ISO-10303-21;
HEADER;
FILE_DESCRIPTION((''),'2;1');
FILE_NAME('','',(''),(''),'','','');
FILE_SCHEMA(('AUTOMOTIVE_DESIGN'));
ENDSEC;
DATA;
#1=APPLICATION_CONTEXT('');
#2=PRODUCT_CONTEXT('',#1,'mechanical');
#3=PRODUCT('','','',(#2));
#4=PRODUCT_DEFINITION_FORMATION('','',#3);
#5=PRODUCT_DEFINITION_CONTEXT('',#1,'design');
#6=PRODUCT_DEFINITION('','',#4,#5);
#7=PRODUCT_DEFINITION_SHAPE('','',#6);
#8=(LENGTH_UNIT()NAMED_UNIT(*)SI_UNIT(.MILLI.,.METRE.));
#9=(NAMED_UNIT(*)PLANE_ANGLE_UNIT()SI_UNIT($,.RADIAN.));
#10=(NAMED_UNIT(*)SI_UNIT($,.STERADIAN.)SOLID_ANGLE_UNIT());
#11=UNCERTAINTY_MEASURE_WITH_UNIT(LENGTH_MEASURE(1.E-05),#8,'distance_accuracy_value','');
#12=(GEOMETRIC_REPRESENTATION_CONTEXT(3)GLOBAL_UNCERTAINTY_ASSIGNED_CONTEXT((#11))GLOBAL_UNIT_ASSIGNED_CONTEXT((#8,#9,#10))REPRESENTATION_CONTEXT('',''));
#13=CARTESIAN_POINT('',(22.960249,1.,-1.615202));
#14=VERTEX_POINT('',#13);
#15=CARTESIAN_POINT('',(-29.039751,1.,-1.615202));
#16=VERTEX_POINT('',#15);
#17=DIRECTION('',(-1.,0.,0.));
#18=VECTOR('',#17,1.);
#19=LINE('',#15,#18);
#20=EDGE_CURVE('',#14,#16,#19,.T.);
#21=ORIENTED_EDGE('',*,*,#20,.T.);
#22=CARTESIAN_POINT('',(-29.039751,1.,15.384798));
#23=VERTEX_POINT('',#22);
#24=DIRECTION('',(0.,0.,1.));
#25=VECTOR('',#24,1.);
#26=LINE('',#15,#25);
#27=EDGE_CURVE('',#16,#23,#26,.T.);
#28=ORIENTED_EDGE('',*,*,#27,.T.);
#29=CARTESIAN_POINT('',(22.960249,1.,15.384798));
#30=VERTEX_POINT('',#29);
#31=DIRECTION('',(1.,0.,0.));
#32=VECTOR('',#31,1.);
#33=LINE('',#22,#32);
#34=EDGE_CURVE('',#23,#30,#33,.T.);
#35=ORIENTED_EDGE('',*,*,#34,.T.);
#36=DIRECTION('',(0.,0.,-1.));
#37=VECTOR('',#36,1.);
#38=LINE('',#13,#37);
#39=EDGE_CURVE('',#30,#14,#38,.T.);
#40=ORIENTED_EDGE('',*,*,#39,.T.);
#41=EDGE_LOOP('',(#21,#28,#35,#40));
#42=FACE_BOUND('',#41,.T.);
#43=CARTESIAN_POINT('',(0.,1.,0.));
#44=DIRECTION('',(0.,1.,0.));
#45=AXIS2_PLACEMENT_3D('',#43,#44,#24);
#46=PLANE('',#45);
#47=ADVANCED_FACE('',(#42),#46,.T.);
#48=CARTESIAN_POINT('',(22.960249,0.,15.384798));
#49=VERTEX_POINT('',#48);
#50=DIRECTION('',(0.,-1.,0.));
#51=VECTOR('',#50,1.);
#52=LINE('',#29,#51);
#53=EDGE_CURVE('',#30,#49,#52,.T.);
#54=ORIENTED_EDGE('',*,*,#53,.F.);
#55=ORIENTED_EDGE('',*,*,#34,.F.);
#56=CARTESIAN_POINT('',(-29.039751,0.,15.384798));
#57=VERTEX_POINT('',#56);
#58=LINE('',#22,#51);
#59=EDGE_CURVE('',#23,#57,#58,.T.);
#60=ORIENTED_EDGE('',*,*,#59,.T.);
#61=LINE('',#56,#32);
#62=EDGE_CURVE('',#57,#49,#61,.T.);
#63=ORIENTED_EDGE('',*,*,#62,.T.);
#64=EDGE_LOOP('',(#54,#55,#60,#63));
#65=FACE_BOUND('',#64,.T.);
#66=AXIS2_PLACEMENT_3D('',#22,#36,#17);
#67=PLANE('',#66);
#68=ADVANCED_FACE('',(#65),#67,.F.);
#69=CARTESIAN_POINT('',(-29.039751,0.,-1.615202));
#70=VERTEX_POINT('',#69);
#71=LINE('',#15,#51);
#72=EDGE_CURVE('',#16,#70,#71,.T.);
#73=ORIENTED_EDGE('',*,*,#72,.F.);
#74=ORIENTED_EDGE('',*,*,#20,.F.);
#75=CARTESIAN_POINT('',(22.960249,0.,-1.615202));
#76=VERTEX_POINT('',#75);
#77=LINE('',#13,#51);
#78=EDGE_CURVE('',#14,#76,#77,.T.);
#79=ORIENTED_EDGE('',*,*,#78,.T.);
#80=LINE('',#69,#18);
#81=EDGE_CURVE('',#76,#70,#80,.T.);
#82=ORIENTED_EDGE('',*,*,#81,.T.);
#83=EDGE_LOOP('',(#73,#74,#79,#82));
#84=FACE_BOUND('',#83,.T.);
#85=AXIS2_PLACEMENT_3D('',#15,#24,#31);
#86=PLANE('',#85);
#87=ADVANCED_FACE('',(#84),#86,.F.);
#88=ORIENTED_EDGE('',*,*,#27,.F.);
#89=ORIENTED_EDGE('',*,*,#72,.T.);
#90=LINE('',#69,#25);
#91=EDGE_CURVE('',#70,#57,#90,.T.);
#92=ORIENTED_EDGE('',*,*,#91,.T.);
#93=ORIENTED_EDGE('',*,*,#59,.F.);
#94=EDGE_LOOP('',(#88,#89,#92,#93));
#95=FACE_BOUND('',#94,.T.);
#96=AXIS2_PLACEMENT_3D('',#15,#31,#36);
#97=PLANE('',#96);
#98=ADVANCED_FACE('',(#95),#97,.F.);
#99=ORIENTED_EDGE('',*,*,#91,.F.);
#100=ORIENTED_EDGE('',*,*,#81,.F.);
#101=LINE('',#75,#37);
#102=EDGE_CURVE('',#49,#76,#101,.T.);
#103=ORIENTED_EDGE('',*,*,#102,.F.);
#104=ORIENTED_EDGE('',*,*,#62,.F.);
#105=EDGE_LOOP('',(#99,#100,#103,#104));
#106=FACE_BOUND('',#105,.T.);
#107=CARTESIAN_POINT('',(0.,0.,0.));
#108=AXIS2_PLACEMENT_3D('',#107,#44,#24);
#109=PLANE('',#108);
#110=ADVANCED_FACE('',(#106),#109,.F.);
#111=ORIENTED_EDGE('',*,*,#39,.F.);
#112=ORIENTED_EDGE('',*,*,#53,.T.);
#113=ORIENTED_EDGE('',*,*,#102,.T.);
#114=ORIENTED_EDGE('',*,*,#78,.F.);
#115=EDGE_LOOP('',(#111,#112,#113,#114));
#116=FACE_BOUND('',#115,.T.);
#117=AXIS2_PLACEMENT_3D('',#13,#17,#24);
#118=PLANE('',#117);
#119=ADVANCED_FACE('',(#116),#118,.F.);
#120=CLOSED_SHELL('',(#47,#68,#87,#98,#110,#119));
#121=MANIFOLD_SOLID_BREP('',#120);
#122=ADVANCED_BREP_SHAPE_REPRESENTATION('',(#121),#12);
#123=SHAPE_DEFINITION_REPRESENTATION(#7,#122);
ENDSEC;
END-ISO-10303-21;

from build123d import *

# Parameters (mm, degrees)
SKETCH1_W           = 52
SKETCH1_H           = 17
BOSS_EXTRUDE1_DEPTH = 1


with BuildPart() as part:
    # Sketch1 → Boss-Extrude1 (new body)
    with BuildSketch(Plane(origin=(0, 0, 0), x_dir=(1, 0, 0), z_dir=(0, 1, 0))):
        with Locations((-3.039750959, -6.8847981)):
            Rectangle(SKETCH1_W, SKETCH1_H)
    extrude(amount=BOSS_EXTRUDE1_DEPTH)


solid = part.part
